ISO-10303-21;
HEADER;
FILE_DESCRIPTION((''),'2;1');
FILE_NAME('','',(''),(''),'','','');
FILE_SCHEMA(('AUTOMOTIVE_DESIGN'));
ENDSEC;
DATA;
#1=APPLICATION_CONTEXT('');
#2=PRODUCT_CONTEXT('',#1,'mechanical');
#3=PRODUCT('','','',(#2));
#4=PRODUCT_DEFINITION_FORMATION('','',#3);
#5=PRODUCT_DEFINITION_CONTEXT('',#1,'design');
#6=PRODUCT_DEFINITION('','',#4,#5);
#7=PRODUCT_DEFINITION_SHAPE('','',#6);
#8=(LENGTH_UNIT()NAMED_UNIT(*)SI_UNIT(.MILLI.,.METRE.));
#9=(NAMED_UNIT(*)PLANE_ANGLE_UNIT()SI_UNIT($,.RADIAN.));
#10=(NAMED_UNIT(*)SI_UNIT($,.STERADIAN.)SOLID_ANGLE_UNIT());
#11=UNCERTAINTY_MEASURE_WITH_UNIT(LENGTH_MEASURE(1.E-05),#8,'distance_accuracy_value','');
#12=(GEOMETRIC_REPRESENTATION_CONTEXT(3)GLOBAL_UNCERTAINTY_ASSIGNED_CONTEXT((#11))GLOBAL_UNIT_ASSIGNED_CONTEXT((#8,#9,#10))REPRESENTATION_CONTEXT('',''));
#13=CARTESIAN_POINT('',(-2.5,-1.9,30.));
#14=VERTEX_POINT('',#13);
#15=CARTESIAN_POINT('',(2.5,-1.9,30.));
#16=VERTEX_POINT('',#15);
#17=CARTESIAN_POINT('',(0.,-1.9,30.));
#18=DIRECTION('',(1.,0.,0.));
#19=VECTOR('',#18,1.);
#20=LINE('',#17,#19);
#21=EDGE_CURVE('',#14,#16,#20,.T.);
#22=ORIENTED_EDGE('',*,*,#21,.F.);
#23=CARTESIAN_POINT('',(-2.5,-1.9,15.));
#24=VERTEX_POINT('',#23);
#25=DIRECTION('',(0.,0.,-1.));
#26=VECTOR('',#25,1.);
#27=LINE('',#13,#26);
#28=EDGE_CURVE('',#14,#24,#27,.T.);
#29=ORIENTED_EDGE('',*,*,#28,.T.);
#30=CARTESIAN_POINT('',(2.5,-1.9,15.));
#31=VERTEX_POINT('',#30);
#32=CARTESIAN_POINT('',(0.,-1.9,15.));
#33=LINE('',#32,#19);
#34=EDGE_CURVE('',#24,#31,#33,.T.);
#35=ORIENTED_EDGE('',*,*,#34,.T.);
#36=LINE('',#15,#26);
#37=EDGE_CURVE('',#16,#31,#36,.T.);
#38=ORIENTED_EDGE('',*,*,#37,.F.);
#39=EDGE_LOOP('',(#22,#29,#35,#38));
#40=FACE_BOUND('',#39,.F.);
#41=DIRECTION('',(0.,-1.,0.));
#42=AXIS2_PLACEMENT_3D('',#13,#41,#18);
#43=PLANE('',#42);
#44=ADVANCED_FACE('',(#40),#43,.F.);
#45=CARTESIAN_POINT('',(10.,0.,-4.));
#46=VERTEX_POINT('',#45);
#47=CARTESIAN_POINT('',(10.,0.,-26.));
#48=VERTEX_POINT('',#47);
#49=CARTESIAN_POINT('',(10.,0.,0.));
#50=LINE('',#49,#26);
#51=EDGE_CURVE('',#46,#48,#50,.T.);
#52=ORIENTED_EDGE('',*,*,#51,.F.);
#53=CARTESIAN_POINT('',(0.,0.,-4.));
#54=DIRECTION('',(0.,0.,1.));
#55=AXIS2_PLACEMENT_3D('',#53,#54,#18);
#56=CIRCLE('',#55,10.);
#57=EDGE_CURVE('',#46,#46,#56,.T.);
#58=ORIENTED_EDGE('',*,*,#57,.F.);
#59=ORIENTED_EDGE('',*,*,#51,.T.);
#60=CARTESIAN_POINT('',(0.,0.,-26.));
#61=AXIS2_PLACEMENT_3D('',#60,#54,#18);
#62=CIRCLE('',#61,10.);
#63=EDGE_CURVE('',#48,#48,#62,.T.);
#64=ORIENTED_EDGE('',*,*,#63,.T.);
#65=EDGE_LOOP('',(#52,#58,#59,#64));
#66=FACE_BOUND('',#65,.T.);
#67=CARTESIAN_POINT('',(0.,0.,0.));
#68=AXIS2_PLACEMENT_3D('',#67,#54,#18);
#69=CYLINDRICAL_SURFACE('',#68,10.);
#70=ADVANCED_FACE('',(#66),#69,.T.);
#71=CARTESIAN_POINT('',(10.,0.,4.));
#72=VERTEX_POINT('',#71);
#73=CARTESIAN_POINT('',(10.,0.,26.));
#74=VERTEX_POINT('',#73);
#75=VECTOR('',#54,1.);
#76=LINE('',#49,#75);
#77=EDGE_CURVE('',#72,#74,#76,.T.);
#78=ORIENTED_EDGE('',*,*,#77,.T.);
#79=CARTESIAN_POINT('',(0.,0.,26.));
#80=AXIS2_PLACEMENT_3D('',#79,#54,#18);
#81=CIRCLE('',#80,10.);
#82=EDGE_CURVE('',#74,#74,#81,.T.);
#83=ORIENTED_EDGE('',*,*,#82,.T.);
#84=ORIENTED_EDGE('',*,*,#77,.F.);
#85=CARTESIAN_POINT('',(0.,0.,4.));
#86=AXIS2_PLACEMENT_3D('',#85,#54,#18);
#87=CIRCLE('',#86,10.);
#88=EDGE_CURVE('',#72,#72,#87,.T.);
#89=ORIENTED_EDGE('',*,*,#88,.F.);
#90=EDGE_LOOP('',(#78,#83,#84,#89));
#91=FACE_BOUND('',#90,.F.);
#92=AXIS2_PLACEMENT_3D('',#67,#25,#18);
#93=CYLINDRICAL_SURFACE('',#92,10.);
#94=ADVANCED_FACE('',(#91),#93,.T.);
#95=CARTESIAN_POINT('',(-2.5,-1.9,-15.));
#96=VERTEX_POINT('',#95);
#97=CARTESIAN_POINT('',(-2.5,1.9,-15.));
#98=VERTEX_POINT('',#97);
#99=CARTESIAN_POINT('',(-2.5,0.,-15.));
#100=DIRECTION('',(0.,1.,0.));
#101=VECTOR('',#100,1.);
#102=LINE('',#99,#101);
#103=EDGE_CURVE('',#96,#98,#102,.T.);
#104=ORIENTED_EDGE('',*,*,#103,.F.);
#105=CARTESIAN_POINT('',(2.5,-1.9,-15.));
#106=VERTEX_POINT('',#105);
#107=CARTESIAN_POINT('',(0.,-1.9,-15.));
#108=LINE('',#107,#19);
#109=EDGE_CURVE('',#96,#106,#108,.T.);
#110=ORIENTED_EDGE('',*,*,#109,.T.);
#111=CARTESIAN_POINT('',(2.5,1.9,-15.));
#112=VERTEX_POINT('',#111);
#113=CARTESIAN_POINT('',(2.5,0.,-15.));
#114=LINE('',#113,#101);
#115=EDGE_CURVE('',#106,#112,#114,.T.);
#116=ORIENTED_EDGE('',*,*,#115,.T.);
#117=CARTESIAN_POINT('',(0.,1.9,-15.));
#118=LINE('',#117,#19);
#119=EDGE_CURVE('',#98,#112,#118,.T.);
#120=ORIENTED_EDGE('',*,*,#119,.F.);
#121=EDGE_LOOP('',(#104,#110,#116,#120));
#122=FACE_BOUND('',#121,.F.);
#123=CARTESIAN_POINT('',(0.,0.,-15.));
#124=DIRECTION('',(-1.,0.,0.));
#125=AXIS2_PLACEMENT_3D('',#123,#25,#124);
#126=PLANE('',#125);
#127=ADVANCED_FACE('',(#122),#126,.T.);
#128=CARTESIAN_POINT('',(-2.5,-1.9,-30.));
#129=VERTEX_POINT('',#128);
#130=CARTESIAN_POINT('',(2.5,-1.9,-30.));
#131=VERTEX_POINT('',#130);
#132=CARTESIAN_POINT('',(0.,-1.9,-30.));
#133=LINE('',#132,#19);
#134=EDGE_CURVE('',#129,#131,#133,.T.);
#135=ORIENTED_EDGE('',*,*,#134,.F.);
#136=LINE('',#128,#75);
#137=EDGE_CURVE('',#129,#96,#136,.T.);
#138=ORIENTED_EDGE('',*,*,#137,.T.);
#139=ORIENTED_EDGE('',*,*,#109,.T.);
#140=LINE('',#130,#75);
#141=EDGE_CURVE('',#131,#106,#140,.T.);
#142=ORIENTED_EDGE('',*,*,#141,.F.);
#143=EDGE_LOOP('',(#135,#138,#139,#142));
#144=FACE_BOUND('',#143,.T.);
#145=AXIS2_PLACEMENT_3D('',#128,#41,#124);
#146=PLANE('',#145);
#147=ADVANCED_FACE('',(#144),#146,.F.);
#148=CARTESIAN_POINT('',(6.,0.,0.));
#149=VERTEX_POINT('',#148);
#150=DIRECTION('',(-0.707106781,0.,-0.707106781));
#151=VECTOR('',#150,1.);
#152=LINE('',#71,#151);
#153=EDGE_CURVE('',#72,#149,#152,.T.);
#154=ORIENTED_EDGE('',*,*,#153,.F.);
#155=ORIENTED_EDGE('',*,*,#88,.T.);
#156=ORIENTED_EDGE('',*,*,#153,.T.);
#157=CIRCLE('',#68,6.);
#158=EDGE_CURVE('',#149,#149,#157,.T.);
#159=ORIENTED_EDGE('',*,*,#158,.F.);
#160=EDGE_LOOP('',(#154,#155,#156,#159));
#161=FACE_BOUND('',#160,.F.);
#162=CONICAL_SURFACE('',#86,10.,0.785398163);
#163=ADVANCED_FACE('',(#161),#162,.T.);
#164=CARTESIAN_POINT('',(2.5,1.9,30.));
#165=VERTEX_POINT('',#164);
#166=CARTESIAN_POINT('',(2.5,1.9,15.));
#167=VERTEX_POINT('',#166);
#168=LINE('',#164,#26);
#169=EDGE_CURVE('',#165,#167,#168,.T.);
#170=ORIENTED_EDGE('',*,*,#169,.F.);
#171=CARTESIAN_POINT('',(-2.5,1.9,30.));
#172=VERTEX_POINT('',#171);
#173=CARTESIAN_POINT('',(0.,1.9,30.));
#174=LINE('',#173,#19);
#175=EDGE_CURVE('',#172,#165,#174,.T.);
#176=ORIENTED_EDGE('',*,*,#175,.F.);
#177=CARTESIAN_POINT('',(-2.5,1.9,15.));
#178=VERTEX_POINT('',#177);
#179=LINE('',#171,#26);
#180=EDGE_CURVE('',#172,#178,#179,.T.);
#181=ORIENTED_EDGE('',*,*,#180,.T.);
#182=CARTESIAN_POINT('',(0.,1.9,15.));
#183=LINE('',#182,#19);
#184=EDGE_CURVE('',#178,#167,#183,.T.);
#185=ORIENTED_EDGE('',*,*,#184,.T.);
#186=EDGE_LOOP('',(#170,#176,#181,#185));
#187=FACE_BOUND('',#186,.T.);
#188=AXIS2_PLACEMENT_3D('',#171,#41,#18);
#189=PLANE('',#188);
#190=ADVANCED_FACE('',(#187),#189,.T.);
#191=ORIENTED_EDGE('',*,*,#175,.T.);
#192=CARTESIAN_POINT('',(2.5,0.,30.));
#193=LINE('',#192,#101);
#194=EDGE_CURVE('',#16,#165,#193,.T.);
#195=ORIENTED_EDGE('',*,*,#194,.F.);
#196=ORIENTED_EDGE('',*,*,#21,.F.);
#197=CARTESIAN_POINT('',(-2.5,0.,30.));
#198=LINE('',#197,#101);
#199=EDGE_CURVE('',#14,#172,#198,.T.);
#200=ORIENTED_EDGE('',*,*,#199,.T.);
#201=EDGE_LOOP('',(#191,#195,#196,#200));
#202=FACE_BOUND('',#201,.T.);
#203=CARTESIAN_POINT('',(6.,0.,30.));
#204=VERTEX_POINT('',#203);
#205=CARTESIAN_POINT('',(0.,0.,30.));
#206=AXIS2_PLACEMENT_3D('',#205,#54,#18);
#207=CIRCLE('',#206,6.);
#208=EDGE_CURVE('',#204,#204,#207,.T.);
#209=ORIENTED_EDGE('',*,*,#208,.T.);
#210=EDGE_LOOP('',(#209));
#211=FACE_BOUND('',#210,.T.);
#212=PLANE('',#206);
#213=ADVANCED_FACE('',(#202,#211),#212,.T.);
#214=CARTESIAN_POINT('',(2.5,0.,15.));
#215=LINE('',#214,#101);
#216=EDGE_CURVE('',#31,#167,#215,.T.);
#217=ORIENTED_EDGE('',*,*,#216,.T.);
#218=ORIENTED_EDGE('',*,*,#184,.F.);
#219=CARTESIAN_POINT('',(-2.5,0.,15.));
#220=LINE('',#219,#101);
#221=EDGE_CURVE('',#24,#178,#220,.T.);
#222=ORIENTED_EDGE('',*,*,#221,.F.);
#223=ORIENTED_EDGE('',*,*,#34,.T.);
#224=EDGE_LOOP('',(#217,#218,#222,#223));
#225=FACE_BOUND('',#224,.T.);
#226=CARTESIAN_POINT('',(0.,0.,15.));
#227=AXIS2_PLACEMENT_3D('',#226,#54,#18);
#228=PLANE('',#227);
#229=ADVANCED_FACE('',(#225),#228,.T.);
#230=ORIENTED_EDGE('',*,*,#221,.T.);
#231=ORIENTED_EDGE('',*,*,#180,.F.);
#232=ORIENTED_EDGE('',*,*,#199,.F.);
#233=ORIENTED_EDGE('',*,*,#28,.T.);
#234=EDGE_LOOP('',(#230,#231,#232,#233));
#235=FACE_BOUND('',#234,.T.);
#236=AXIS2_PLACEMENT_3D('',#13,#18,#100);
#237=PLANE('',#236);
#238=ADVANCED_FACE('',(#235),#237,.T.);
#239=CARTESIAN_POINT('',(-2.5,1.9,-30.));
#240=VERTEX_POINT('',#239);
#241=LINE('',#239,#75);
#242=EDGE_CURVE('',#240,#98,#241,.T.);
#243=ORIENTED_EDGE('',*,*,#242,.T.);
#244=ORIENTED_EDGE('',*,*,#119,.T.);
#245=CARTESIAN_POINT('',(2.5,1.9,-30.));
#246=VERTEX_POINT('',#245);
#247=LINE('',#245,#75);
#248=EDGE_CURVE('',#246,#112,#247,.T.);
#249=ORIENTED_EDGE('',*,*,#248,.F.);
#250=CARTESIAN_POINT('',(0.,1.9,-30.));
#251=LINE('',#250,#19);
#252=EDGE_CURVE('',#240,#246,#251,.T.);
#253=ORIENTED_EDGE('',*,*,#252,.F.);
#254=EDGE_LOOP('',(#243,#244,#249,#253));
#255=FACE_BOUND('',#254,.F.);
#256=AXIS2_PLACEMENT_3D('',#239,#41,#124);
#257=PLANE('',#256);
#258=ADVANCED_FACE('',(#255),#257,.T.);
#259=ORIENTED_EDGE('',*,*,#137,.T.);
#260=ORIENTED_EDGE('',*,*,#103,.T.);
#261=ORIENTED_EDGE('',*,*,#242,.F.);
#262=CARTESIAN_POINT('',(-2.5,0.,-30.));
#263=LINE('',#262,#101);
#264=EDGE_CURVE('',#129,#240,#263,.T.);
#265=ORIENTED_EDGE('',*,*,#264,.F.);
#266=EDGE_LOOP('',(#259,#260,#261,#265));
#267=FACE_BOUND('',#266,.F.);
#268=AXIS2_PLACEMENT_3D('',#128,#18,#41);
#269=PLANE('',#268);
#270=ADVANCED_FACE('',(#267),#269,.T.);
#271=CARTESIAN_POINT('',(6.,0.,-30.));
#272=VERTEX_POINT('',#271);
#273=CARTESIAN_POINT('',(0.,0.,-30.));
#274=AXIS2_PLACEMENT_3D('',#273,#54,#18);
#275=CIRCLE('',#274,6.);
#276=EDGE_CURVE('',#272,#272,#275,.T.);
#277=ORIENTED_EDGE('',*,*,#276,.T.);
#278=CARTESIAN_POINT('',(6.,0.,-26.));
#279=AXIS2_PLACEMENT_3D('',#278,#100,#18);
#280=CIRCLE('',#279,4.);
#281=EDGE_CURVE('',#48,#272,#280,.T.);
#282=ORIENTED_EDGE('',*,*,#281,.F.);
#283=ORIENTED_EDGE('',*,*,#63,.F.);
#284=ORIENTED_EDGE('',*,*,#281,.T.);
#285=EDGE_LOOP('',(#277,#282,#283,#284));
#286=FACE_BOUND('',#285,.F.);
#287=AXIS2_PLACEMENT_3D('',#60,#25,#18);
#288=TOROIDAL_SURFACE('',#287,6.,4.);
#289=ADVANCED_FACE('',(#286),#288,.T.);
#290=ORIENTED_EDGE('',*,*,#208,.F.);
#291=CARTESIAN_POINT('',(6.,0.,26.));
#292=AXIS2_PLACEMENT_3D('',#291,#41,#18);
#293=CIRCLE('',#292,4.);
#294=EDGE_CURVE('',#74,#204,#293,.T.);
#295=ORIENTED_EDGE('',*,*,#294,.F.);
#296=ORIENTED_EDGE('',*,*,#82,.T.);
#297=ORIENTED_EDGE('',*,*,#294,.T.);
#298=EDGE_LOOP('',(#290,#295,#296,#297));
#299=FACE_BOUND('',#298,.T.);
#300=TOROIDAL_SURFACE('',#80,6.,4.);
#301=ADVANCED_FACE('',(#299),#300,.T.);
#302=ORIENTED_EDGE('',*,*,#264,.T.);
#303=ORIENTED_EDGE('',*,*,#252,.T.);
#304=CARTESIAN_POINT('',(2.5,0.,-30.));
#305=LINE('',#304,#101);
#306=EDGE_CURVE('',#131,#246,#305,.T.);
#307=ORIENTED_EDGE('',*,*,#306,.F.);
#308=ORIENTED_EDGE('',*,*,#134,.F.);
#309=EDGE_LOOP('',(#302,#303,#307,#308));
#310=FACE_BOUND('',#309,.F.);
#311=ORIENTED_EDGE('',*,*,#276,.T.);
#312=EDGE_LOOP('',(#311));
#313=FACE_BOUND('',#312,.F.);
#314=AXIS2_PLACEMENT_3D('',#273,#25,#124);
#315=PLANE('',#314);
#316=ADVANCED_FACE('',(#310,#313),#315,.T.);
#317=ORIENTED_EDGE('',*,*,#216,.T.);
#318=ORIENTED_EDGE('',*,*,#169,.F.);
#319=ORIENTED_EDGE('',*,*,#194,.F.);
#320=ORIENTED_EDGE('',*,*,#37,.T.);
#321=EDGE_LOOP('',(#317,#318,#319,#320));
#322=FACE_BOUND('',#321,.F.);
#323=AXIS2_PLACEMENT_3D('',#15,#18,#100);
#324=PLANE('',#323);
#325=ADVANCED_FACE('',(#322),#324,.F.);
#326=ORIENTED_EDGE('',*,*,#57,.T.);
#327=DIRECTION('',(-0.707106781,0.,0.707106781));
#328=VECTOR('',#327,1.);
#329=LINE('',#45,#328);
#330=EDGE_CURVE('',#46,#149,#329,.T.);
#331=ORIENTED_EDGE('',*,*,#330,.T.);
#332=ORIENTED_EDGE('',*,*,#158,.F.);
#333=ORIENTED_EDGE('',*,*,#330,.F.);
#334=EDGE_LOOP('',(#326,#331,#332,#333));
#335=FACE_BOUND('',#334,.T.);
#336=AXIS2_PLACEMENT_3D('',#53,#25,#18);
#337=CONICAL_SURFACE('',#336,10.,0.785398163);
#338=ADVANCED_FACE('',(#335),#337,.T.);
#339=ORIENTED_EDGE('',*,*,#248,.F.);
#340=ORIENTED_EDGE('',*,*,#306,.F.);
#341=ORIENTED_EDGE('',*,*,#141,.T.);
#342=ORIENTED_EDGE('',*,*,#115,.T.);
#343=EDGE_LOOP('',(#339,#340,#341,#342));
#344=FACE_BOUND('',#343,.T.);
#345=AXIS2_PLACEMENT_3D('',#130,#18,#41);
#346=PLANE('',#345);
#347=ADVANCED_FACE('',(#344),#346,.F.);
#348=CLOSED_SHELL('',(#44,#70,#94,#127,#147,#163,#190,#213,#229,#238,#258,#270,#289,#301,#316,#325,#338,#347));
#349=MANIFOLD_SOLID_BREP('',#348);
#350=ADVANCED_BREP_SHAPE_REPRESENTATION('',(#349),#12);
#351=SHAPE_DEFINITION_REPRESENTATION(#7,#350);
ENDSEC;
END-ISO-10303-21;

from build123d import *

# Parameters (mm, degrees)
F0_R     = 10
F1_DEPTH = 30
F2_W     = 5
F2_H     = 3.8
F3_DEPTH = 15
F4_R     = 4
F5_SIZE  = 4


with BuildPart() as f1:
    # F0 (on Top) → F1 (new body)
    with BuildSketch(Plane.XY):
        Circle(F0_R)
    extrude(amount=F1_DEPTH)

    # F2 (on face) → F3 (cut)
    with BuildSketch(Plane.XY.offset(30)):
        Rectangle(F2_W, F2_H)
    extrude(amount=-F3_DEPTH, mode=Mode.SUBTRACT)

    # F4
    f4_edges = [f1.edges().sort_by_distance(p)[0] for p in [
        (-10, 0, 30),
    ]]
    fillet(f4_edges, radius=F4_R)

    # F5
    f5_edges = [f1.edges().sort_by_distance(p)[0] for p in [
        (-10, 0, 0),
    ]]
    chamfer(f5_edges, length=F5_SIZE)

    # F6: F1 across face


with BuildPart() as f1_1:
    add(f1.part)
    add(f1.part.mirror(Plane(origin=(0, 0, 0), x_dir=(1, 0, 0), z_dir=(0, 0, -1))))


solid = f1_1.part
